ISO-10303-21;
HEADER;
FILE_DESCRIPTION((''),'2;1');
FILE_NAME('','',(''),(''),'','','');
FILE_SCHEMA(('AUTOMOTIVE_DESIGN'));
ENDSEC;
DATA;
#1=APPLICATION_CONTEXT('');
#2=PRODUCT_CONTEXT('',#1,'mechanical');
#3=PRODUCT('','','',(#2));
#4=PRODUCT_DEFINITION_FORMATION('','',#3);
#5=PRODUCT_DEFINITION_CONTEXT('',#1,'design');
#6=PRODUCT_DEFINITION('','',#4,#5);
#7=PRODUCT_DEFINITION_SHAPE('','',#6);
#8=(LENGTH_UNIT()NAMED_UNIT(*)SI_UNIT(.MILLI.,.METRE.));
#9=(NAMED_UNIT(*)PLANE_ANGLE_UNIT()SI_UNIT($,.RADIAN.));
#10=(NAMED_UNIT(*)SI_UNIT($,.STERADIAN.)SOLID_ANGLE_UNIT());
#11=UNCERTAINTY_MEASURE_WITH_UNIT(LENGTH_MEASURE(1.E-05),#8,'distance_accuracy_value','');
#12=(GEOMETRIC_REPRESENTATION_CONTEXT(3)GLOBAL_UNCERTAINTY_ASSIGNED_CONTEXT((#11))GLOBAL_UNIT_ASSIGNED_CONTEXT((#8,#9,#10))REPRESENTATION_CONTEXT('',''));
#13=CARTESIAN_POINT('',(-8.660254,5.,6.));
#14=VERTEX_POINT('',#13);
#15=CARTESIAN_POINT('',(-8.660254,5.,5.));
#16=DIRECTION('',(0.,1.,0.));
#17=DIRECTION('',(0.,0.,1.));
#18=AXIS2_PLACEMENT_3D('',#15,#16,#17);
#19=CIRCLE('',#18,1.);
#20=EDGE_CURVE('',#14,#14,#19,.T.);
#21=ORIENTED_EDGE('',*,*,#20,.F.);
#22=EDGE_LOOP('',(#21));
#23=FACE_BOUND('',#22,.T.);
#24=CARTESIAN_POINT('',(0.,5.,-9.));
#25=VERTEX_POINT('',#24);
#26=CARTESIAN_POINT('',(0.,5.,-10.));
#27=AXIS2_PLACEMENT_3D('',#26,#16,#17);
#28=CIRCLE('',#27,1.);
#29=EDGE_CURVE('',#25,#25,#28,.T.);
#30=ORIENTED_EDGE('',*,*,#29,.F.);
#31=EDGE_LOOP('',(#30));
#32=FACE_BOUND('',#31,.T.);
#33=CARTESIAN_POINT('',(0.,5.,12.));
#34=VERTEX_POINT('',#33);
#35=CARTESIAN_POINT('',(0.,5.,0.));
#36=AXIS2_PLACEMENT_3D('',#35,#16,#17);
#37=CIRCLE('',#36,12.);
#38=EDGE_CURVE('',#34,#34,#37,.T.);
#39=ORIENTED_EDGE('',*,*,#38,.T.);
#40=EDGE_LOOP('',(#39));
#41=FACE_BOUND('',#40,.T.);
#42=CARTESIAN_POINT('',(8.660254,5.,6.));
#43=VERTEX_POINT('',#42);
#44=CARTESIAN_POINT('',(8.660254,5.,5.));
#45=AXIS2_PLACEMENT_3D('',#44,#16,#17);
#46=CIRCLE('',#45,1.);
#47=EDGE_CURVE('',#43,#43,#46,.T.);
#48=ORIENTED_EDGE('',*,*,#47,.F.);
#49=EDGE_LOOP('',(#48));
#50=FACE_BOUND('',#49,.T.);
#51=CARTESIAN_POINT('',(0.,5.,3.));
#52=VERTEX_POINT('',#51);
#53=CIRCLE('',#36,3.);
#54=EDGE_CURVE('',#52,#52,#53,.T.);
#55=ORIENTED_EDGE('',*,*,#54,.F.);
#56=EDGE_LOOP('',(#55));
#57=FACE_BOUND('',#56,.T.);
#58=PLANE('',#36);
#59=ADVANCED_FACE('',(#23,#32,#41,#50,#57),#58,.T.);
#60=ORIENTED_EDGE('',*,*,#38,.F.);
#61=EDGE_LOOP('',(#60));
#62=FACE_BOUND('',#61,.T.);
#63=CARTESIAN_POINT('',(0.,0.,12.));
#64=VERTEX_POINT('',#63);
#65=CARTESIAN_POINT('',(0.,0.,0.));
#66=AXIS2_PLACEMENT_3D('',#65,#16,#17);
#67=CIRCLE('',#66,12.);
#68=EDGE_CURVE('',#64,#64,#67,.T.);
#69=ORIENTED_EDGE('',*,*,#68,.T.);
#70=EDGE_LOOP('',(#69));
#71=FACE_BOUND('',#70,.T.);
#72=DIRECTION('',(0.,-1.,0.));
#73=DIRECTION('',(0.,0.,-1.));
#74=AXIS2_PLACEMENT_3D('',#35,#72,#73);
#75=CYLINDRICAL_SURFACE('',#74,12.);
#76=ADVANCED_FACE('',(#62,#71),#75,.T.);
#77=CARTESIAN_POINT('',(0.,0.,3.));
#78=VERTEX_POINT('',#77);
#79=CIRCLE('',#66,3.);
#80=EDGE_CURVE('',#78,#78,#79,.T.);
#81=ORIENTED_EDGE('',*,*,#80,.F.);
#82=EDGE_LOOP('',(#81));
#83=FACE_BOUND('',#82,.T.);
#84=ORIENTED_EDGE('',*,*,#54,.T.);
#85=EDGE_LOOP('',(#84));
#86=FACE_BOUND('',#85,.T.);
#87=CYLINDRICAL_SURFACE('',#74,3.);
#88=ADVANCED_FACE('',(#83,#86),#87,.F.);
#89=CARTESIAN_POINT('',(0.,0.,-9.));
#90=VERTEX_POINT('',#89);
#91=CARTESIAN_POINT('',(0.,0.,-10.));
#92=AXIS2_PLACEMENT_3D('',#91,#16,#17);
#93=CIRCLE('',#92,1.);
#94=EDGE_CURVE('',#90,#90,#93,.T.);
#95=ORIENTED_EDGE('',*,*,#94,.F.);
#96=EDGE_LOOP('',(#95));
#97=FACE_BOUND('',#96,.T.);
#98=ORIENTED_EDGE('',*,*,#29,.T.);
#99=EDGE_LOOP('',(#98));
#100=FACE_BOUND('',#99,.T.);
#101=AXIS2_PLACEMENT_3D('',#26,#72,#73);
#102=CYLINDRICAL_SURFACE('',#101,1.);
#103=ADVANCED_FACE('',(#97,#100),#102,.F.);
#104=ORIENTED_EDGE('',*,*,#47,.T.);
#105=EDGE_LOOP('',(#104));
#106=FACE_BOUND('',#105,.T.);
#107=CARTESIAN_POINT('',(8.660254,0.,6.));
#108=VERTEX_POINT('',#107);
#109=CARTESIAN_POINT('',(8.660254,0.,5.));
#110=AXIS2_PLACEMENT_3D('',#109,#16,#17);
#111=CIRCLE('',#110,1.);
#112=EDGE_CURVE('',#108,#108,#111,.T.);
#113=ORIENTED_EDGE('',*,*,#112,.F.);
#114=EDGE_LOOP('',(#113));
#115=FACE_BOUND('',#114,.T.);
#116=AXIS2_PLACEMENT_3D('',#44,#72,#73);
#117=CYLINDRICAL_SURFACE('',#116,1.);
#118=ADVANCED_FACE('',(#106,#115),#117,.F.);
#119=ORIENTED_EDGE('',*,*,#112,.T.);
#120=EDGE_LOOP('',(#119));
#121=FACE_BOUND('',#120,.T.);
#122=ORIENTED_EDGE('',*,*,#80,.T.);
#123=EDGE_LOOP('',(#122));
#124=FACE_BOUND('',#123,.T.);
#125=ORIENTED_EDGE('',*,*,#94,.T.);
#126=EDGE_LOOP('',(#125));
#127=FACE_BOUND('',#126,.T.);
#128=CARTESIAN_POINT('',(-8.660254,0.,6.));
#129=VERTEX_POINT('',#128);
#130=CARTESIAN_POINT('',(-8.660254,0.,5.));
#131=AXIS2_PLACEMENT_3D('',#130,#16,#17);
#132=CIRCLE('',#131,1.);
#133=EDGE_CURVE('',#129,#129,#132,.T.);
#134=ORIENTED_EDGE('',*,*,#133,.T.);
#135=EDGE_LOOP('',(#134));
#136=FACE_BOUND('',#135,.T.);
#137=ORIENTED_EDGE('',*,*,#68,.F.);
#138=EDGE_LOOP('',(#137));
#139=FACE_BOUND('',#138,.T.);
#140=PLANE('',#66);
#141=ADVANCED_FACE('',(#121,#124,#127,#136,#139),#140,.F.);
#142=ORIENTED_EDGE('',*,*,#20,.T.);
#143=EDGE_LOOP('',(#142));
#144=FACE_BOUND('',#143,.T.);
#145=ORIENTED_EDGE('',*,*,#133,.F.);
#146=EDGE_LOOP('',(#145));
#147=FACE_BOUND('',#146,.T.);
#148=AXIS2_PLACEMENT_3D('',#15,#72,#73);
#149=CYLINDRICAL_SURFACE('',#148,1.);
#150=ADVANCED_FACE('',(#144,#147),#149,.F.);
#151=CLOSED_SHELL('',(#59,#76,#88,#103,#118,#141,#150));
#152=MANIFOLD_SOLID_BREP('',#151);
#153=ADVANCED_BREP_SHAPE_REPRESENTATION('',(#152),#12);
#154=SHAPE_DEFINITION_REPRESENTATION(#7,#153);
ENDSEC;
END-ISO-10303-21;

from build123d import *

# Parameters (mm, degrees)
SKETCH1_R           = 12
SKETCH1_R_2         = 1
SKETCH1_R_3         = 3
BOSS_EXTRUDE1_DEPTH = 5


with BuildPart() as part:
    # Sketch1 → Boss-Extrude1 (new body)
    with BuildSketch(Plane(origin=(0, 0, 0), x_dir=(1, 0, 0), z_dir=(0, 1, 0))):
        with Locations(Location((0, 0, 0), (0, 0, 270))):
            Circle(SKETCH1_R)
        with Locations(Location((0, 10, 0), (0, 0, 270))):
            Circle(SKETCH1_R_2, mode=Mode.SUBTRACT)
        with Locations(Location((0, 0, 0), (0, 0, 270))):
            Circle(SKETCH1_R_3, mode=Mode.SUBTRACT)
        with Locations(Location((8.660254038, -5, 0), (0, 0, 270))):
            Circle(SKETCH1_R_2, mode=Mode.SUBTRACT)
        with Locations(Location((-8.660254038, -5, 0), (0, 0, 270))):
            Circle(SKETCH1_R_2, mode=Mode.SUBTRACT)
    extrude(amount=BOSS_EXTRUDE1_DEPTH)


solid = part.part
